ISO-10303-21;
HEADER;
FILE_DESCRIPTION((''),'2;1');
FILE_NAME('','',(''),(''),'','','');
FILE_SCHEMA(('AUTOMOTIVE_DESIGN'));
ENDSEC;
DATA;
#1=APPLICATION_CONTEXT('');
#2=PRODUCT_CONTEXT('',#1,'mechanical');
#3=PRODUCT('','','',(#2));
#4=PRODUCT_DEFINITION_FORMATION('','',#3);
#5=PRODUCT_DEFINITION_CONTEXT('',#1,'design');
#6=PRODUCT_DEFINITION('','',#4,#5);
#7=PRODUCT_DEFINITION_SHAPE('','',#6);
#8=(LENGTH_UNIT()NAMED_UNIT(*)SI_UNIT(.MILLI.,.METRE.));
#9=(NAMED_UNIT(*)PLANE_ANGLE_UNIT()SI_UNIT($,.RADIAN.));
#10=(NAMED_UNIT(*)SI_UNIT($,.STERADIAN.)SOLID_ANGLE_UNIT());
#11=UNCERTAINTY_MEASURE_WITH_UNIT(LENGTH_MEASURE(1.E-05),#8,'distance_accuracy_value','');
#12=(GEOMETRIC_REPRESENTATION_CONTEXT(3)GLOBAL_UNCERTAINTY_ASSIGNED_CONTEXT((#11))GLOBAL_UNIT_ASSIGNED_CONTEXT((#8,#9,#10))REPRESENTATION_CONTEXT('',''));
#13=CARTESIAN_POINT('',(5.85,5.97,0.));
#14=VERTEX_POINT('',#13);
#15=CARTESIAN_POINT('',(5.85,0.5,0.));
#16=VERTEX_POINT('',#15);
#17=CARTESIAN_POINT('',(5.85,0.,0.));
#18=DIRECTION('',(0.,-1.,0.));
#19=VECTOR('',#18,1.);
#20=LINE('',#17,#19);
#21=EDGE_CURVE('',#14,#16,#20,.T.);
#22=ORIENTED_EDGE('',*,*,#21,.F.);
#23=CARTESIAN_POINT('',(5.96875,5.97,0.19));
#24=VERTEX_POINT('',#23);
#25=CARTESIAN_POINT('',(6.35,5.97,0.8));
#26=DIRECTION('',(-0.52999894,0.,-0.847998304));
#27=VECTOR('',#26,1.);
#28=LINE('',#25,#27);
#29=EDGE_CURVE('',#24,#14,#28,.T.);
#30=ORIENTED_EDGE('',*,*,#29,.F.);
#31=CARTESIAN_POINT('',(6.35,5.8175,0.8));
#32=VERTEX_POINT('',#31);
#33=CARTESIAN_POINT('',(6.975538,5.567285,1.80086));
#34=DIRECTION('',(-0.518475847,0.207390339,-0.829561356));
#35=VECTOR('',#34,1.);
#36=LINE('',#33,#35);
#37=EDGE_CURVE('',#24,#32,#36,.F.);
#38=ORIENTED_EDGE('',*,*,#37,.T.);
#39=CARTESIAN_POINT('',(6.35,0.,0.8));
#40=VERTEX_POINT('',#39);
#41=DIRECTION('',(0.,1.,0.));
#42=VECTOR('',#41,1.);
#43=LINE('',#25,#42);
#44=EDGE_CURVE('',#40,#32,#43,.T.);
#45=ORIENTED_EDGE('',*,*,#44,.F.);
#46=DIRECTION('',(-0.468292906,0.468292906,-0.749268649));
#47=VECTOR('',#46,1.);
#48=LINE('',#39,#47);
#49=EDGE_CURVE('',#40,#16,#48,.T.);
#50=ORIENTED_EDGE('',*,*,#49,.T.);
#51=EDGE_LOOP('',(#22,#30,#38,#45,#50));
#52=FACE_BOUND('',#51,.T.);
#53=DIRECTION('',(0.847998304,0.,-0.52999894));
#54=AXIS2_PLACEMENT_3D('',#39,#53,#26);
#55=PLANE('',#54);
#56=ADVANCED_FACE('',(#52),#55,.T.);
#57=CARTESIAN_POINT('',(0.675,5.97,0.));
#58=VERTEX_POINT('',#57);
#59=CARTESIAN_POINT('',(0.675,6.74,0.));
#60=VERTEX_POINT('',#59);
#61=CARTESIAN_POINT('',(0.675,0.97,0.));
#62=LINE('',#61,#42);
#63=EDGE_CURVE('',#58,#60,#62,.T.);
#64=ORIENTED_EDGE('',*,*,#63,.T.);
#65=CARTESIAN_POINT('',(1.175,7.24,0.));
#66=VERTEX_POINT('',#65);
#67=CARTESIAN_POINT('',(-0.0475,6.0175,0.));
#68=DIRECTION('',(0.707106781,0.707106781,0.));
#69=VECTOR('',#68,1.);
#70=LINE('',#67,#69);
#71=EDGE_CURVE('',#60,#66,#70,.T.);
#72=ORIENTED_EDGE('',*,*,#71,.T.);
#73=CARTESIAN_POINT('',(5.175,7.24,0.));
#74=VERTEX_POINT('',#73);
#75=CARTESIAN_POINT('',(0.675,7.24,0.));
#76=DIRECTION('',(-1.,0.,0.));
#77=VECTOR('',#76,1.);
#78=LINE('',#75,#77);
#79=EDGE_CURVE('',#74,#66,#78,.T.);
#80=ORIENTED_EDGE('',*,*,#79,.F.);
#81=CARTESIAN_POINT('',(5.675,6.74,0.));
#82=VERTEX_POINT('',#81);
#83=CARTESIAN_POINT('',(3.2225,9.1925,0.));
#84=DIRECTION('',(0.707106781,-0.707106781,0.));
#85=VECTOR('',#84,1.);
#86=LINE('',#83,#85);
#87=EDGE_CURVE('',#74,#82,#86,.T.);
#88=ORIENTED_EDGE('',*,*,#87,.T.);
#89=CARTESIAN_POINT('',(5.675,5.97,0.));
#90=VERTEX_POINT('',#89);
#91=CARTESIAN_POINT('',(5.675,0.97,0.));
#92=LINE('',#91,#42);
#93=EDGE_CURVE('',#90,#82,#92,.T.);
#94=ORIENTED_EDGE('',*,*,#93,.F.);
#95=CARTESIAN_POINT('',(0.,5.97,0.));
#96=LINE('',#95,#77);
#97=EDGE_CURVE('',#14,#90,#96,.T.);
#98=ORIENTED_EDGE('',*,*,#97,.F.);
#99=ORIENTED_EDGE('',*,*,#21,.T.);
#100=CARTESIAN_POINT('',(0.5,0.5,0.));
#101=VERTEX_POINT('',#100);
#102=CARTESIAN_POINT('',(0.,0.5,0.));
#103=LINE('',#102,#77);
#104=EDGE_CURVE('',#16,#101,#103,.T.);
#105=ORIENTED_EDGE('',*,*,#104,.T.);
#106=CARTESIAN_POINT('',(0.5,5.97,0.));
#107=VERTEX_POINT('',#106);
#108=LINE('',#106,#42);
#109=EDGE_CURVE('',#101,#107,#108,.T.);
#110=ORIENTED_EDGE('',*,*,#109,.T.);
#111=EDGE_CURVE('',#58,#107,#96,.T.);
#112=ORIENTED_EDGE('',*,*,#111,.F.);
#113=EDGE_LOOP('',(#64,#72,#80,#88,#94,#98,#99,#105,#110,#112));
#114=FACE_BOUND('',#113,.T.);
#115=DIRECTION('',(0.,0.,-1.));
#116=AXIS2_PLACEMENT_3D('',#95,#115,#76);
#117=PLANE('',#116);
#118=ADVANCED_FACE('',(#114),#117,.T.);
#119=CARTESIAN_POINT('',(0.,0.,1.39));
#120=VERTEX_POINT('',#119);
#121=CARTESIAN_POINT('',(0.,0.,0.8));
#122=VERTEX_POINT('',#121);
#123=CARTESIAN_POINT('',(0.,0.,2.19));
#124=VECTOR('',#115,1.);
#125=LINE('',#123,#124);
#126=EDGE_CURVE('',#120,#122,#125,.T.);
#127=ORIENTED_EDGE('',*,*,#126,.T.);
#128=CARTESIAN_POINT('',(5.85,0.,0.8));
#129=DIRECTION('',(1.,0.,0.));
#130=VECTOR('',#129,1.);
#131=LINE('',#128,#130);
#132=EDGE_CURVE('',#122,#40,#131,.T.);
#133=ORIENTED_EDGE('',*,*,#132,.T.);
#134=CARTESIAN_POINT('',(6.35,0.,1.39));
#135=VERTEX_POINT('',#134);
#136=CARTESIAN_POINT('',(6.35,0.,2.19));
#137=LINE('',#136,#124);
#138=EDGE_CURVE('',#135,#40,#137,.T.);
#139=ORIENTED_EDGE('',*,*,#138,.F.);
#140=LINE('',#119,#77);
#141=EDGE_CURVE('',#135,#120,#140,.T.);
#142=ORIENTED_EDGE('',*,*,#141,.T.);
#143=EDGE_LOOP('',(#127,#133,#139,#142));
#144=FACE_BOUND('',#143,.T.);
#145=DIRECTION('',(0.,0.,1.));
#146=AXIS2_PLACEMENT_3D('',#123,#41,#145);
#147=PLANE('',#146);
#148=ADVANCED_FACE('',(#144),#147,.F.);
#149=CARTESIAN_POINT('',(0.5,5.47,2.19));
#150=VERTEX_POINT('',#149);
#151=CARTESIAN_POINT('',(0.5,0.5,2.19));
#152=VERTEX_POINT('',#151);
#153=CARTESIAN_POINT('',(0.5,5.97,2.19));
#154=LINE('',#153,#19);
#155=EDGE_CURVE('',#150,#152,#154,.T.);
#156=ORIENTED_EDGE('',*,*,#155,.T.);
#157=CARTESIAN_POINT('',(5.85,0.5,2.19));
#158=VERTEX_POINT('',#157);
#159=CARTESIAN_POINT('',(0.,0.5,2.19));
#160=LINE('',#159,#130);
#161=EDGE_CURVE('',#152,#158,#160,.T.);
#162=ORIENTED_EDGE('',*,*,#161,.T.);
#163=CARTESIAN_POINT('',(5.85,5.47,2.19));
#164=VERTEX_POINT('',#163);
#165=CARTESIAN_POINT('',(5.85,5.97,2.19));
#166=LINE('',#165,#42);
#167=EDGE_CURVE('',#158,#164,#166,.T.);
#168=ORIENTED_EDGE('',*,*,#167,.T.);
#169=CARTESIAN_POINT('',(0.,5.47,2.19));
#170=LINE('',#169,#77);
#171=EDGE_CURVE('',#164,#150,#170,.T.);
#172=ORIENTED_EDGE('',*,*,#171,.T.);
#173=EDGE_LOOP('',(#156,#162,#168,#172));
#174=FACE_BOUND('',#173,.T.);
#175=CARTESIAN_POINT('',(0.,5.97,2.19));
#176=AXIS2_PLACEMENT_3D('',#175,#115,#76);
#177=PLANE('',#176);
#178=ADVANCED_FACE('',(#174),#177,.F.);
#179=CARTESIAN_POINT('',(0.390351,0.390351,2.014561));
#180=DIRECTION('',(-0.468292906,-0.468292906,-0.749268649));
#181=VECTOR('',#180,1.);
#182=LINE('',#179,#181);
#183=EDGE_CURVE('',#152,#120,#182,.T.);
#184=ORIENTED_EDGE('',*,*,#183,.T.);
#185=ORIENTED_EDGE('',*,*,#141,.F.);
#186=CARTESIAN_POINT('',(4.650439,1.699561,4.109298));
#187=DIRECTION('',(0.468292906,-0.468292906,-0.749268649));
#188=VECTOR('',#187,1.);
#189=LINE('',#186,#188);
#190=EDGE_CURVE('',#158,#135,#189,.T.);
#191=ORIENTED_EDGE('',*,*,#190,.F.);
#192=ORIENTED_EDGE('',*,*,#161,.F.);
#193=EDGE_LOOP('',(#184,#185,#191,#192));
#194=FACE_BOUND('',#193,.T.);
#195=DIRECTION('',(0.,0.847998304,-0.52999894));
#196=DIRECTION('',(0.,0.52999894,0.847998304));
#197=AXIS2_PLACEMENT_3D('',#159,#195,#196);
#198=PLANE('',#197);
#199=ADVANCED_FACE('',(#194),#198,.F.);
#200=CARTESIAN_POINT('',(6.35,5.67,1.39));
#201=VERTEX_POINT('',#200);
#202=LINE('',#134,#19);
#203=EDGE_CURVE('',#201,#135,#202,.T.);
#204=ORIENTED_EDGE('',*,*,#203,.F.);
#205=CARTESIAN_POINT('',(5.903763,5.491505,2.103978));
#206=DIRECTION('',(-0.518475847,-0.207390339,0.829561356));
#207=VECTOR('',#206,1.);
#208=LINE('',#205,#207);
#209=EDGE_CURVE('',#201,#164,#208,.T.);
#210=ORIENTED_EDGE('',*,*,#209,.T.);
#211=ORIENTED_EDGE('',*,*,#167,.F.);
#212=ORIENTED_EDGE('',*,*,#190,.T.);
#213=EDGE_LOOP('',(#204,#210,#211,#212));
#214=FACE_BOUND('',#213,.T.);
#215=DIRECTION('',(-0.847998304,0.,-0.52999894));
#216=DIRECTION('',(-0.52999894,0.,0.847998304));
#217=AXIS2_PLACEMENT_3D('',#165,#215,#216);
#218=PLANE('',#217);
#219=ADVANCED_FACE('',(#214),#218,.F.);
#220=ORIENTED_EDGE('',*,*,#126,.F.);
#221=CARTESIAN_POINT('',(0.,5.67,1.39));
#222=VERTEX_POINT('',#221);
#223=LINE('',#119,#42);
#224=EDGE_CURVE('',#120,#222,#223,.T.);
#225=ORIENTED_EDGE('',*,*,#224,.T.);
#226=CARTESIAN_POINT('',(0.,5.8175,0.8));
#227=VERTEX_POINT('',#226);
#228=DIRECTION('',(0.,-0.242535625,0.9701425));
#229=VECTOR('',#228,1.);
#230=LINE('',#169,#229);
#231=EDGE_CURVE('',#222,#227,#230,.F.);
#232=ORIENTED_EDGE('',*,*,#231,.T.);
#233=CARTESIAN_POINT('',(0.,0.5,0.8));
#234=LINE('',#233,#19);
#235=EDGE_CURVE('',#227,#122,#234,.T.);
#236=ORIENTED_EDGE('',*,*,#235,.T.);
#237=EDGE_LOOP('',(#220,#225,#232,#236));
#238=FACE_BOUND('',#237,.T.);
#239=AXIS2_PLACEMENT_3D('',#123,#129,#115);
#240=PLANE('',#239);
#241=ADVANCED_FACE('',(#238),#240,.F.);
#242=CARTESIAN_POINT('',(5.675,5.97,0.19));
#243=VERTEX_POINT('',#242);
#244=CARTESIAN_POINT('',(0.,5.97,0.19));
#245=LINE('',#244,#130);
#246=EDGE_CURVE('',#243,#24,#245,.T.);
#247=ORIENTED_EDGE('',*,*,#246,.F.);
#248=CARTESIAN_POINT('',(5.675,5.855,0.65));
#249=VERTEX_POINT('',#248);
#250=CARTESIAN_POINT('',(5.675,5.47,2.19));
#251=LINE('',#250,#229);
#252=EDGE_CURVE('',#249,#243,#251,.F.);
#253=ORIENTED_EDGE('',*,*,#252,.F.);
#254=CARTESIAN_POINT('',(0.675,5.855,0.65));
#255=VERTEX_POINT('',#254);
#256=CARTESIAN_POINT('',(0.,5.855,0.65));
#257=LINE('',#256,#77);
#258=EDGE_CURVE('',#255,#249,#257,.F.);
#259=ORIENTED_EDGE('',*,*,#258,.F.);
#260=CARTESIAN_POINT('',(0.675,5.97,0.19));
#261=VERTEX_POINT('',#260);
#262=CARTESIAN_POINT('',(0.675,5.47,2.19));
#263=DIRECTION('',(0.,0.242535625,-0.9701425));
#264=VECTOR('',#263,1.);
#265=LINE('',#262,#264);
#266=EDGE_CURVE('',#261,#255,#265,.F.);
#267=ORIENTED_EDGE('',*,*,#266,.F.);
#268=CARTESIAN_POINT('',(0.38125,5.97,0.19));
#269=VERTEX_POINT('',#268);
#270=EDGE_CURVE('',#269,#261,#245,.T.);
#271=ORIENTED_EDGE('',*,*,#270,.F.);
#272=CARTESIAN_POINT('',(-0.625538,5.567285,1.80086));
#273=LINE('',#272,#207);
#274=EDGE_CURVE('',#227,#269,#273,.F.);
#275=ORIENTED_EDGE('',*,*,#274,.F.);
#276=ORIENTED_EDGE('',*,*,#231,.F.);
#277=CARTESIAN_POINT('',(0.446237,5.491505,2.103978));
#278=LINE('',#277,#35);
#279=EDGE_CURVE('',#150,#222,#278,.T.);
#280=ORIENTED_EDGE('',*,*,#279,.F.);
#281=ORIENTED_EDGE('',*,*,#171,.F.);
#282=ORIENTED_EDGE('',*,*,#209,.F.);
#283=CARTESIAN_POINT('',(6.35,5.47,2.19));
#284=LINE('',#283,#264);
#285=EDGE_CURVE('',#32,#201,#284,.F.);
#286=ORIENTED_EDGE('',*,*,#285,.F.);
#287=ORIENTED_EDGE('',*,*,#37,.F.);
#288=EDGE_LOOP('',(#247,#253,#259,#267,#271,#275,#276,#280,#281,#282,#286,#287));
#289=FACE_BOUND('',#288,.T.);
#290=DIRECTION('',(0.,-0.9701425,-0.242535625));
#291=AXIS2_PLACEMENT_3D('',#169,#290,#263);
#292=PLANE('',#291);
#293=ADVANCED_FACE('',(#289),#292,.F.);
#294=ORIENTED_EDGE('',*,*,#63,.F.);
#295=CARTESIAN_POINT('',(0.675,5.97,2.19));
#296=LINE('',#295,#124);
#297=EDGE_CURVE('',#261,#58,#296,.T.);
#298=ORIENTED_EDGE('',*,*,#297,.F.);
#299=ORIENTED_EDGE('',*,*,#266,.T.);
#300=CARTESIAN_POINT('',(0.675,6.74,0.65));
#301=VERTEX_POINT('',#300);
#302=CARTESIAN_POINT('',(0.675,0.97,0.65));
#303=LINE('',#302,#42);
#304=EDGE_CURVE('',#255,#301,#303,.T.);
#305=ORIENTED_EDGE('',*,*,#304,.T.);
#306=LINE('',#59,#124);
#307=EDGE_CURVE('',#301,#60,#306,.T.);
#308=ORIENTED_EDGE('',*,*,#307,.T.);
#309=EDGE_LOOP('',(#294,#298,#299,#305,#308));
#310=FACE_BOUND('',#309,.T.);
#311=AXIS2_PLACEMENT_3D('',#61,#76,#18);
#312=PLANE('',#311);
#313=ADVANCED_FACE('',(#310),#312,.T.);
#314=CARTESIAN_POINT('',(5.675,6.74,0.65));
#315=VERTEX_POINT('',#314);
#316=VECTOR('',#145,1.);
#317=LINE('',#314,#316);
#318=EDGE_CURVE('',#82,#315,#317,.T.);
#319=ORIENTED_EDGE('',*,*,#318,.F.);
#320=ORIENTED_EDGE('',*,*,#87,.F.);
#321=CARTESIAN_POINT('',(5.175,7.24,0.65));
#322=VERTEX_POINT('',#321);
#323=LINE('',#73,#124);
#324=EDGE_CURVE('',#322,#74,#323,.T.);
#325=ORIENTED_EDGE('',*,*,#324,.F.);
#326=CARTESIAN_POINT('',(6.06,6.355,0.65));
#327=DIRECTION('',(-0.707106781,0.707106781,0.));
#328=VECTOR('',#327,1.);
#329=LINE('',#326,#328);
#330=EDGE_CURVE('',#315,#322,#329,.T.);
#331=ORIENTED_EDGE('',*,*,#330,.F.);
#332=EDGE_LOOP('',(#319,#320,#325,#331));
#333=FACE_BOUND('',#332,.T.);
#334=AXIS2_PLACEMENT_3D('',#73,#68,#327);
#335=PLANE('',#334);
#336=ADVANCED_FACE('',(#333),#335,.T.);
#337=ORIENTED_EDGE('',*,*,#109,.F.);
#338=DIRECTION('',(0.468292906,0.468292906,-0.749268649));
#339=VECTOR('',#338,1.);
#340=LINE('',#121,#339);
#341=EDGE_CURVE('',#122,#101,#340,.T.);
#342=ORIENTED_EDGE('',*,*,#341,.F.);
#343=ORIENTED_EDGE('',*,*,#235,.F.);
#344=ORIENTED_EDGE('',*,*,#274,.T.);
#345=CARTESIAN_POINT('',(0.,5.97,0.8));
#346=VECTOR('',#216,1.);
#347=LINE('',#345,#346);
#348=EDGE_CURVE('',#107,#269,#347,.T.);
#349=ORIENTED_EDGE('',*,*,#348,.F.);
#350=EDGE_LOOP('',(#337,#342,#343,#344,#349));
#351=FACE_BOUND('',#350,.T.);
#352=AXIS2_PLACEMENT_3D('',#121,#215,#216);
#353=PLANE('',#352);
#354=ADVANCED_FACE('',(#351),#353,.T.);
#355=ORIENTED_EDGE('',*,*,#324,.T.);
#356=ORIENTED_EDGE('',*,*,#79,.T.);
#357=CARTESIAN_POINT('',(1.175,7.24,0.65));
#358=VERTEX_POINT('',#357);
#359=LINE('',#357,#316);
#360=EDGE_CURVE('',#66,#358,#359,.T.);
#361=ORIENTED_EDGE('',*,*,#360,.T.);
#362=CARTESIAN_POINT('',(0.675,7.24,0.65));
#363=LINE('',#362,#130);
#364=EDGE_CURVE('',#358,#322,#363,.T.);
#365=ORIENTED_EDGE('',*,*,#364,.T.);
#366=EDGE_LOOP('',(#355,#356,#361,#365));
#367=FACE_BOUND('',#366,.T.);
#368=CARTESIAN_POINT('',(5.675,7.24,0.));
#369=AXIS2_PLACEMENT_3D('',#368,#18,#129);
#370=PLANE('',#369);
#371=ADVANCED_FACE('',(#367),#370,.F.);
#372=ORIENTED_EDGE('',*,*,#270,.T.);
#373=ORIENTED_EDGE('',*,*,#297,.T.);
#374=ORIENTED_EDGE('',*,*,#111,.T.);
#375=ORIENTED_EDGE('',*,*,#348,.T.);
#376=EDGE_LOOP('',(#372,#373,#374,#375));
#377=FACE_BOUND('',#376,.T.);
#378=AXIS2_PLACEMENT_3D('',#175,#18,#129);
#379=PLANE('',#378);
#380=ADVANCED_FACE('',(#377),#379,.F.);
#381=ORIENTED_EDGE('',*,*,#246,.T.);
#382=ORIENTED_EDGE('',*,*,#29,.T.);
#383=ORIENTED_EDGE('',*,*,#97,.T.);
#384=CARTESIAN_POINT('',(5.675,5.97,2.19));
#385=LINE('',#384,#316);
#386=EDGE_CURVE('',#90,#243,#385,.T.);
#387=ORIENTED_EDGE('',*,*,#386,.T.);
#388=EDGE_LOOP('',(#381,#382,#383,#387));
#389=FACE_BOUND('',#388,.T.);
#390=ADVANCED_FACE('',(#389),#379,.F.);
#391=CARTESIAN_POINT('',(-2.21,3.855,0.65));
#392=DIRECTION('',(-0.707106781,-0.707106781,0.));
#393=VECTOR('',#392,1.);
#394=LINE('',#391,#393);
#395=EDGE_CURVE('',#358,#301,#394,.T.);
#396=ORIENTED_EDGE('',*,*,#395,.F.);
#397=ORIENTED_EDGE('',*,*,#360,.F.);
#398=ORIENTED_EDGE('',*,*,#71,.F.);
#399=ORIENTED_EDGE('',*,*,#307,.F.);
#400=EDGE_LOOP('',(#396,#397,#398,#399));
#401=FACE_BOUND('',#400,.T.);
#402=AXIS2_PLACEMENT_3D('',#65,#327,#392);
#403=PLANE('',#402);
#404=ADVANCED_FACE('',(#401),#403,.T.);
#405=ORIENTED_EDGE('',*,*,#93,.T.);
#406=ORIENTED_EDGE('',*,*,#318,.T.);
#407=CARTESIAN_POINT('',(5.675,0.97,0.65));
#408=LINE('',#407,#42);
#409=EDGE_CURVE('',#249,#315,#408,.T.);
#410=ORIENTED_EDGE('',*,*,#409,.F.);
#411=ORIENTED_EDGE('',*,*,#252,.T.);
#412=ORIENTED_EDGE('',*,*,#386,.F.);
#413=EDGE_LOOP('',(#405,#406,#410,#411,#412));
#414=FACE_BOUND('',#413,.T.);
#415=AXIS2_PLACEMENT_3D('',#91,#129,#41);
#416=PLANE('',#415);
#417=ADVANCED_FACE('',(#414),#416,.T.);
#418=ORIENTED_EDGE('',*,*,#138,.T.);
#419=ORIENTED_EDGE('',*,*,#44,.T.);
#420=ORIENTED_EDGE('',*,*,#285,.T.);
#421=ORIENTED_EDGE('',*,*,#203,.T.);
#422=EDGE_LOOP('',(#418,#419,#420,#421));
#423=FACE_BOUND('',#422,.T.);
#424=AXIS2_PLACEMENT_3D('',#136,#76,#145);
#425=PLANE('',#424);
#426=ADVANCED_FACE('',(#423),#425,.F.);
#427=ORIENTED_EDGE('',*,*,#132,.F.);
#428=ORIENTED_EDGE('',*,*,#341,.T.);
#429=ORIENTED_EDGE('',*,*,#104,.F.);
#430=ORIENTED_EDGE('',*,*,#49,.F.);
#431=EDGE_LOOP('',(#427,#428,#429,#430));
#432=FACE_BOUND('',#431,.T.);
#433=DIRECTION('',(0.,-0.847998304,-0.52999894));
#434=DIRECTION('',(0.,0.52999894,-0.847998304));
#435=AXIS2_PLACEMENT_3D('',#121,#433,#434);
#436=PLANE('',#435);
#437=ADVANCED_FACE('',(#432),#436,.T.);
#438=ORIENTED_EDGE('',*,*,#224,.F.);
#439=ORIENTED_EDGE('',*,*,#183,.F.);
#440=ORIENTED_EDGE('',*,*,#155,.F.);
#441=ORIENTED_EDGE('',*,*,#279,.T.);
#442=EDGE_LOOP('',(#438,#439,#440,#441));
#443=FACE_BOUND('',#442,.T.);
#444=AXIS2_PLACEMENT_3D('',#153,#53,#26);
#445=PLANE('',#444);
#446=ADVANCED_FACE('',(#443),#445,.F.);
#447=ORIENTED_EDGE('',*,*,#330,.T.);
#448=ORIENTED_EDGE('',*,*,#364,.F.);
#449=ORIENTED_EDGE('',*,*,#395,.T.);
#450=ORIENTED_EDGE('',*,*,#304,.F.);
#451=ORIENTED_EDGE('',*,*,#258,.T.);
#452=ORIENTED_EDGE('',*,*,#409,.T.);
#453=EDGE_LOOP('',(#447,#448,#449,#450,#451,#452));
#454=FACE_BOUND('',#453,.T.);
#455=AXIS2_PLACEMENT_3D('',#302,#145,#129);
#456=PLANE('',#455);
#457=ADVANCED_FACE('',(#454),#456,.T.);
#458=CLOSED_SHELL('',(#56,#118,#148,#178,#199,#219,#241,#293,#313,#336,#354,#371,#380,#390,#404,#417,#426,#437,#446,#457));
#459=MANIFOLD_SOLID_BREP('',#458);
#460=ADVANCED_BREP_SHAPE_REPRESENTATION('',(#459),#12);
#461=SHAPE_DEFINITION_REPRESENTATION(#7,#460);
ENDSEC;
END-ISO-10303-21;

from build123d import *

# Parameters (mm, degrees)
ESQUISSE1_W             = 6.35
ESQUISSE1_H             = 5.97
BOSS_EXTRU_1_DEPTH      = 2.19
CHANFREIN1_SIZE         = 0.8
CHANFREIN1_SIZE2        = 0.5
CHANFREIN2_SIZE         = 0.5
CHANFREIN2_SIZE2        = 0.8
CHANFREIN3_SIZE         = 0.8
CHANFREIN3_SIZE2        = 0.5
CHANFREIN4_SIZE         = 0.5
CHANFREIN4_SIZE2        = 0.8
CHANFREIN5_SIZE         = 0.8
CHANFREIN5_SIZE2        = 0.5
CHANFREIN6_SIZE         = 0.5
CHANFREIN6_SIZE2        = 0.8
CHANFREIN7_SIZE         = 2
CHANFREIN7_SIZE2        = 0.5
ESQUISSE2_W             = 5
ESQUISSE2_H             = 0.65
BOSS_EXTRU_2_DEPTH      = 1.27
BOSS_EXTRU_2_DEPTH_BACK = 5
CHANFREIN8_SIZE         = 0.5


with BuildPart() as part:
    # Esquisse1 → Boss.-Extru.1 (new body)
    with BuildSketch(Plane.XY):
        with Locations((3.175, 2.985)):
            Rectangle(ESQUISSE1_W, ESQUISSE1_H)
    extrude(amount=BOSS_EXTRU_1_DEPTH)

    # Chanfrein1
    chanfrein1_edges = [part.edges().sort_by_distance(p)[0] for p in [
        (6.35, 2.985, 2.19),
    ]]
    chanfrein1_side = [part.faces().sort_by_distance(p)[0] for p in [
        (6.35, 2.985, 1.095),
    ]]
    chamfer(chanfrein1_edges, length=CHANFREIN1_SIZE, length2=CHANFREIN1_SIZE2, reference=chanfrein1_side[0])

    # Chanfrein2
    chanfrein2_edges = [part.edges().sort_by_distance(p)[0] for p in [
        (6.35, 2.985, 0),
    ]]
    chanfrein2_side = [part.faces().sort_by_distance(p)[0] for p in [
        (3.175, 2.985, 0),
    ]]
    chamfer(chanfrein2_edges, length=CHANFREIN2_SIZE, length2=CHANFREIN2_SIZE2, reference=chanfrein2_side[0])

    # Chanfrein3
    chanfrein3_edges = [part.edges().sort_by_distance(p)[0] for p in [
        (2.925, 0, 2.19),
    ]]
    chanfrein3_side = [part.faces().sort_by_distance(p)[0] for p in [
        (3.085907094, 0, 1.095),
    ]]
    chamfer(chanfrein3_edges, length=CHANFREIN3_SIZE, length2=CHANFREIN3_SIZE2, reference=chanfrein3_side[0])

    # Chanfrein4
    chanfrein4_edges = [part.edges().sort_by_distance(p)[0] for p in [
        (2.925, 0, 0),
    ]]
    chanfrein4_side = [part.faces().sort_by_distance(p)[0] for p in [
        (2.925, 2.985, 0),
    ]]
    chamfer(chanfrein4_edges, length=CHANFREIN4_SIZE, length2=CHANFREIN4_SIZE2, reference=chanfrein4_side[0])

    # Chanfrein5
    chanfrein5_edges = [part.edges().sort_by_distance(p)[0] for p in [
        (0, 3.235, 2.19),
    ]]
    chanfrein5_side = [part.faces().sort_by_distance(p)[0] for p in [
        (0, 3.073946398, 1.095),
    ]]
    chamfer(chanfrein5_edges, length=CHANFREIN5_SIZE, length2=CHANFREIN5_SIZE2, reference=chanfrein5_side[0])

    # Chanfrein6
    chanfrein6_edges = [part.edges().sort_by_distance(p)[0] for p in [
        (0, 3.235, 0),
    ]]
    chanfrein6_side = [part.faces().sort_by_distance(p)[0] for p in [
        (2.925, 3.235, 0),
    ]]
    chamfer(chanfrein6_edges, length=CHANFREIN6_SIZE, length2=CHANFREIN6_SIZE2, reference=chanfrein6_side[0])

    # Chanfrein7
    chanfrein7_edges = [part.edges().sort_by_distance(p)[0] for p in [
        (3.175, 5.97, 2.19),
    ]]
    chanfrein7_side = [part.faces().sort_by_distance(p)[0] for p in [
        (3.175, 5.97, 1.095),
    ]]
    chamfer(chanfrein7_edges, length=CHANFREIN7_SIZE, length2=CHANFREIN7_SIZE2, reference=chanfrein7_side[0])

    # Esquisse2 → Boss.-Extru.2 (add, two sides)
    with BuildSketch(Plane(origin=(0, 5.97, 0), x_dir=(-1, 0, 0), z_dir=(0, 1, 0))) as boss_extru_2_sk:
        with Locations((-3.175, 0.325)):
            Rectangle(ESQUISSE2_W, ESQUISSE2_H)
    extrude(amount=BOSS_EXTRU_2_DEPTH)
    extrude(boss_extru_2_sk.sketch, amount=-BOSS_EXTRU_2_DEPTH_BACK)

    # Chanfrein8
    chanfrein8_edges = [part.edges().sort_by_distance(p)[0] for p in [
        (0.675, 7.24, 0.325),
        (5.675, 7.24, 0.325),
    ]]
    chamfer(chanfrein8_edges, length=CHANFREIN8_SIZE)


solid = part.part
